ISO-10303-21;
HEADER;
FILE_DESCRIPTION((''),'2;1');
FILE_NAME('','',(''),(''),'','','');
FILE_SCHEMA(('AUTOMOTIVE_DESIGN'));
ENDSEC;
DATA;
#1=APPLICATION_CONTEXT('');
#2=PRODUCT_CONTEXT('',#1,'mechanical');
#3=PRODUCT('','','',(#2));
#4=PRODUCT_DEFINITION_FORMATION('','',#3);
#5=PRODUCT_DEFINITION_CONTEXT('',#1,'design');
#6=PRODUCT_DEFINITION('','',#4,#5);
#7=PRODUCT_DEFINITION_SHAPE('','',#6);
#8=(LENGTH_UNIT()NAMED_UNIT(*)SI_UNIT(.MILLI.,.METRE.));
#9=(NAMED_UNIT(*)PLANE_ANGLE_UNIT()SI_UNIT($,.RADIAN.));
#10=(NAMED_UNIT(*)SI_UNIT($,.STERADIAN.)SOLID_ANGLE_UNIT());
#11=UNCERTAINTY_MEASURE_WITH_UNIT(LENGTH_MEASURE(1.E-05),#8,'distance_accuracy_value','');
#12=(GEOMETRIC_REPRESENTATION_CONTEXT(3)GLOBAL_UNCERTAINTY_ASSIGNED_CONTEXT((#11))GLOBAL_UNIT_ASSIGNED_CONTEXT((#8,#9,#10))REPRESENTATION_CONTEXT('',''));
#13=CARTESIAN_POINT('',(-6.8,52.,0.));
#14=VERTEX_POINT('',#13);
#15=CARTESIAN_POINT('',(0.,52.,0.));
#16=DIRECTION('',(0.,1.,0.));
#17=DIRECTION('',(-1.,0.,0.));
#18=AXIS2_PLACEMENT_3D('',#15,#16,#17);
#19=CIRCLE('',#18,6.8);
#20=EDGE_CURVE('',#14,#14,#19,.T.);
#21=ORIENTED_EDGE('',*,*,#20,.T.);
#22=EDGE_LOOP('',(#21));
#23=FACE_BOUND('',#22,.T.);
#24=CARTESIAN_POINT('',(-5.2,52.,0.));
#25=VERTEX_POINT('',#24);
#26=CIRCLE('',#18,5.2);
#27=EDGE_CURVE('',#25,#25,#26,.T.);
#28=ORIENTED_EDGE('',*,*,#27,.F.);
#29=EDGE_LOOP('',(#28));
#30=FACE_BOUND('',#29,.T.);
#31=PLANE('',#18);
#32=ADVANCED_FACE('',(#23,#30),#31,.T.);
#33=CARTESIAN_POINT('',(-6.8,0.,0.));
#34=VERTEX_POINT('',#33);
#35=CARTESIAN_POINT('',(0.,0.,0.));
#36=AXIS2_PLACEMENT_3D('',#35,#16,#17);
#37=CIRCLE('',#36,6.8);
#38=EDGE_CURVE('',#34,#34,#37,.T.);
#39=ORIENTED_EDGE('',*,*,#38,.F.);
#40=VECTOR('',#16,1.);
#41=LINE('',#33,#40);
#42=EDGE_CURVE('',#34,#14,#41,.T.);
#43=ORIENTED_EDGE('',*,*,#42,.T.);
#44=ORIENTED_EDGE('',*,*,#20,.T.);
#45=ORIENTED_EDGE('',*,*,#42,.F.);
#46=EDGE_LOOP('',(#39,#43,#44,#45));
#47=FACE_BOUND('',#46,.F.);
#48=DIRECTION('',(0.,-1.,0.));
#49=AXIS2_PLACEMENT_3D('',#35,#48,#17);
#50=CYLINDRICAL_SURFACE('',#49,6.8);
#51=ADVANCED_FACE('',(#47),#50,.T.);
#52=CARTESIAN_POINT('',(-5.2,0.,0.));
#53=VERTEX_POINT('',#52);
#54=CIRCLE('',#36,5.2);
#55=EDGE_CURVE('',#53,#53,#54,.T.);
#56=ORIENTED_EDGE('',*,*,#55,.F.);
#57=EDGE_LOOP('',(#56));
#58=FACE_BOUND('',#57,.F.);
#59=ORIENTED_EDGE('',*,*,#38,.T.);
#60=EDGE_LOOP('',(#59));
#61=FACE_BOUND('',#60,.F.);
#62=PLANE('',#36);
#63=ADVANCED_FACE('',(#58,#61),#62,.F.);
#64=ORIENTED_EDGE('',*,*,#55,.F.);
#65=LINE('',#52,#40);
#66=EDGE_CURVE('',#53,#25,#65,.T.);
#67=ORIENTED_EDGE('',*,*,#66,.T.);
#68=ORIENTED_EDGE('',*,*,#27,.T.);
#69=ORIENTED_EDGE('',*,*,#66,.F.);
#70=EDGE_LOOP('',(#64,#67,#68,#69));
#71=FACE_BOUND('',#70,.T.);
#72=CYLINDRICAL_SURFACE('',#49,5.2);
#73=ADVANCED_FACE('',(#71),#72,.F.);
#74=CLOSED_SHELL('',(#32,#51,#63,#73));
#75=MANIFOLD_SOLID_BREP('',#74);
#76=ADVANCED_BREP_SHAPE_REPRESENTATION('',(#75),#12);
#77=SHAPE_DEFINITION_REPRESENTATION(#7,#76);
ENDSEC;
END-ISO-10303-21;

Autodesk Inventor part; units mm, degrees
sketch "Sketch1" plane through (0, 0, 0) normal (0, 1, 0) x (-1, 0, 0)
  circle A0 centre (0, 0) radius 5.2
  circle A1 centre (0, 0) radius 6.8
  dimension "d0" = 10.4
  dimension "d1" = 1.6
extrude "Extrusion1" add sketch "Sketch1" along normal blind 52
properties part number "m10-X-ring" material "ABS Plastic"
